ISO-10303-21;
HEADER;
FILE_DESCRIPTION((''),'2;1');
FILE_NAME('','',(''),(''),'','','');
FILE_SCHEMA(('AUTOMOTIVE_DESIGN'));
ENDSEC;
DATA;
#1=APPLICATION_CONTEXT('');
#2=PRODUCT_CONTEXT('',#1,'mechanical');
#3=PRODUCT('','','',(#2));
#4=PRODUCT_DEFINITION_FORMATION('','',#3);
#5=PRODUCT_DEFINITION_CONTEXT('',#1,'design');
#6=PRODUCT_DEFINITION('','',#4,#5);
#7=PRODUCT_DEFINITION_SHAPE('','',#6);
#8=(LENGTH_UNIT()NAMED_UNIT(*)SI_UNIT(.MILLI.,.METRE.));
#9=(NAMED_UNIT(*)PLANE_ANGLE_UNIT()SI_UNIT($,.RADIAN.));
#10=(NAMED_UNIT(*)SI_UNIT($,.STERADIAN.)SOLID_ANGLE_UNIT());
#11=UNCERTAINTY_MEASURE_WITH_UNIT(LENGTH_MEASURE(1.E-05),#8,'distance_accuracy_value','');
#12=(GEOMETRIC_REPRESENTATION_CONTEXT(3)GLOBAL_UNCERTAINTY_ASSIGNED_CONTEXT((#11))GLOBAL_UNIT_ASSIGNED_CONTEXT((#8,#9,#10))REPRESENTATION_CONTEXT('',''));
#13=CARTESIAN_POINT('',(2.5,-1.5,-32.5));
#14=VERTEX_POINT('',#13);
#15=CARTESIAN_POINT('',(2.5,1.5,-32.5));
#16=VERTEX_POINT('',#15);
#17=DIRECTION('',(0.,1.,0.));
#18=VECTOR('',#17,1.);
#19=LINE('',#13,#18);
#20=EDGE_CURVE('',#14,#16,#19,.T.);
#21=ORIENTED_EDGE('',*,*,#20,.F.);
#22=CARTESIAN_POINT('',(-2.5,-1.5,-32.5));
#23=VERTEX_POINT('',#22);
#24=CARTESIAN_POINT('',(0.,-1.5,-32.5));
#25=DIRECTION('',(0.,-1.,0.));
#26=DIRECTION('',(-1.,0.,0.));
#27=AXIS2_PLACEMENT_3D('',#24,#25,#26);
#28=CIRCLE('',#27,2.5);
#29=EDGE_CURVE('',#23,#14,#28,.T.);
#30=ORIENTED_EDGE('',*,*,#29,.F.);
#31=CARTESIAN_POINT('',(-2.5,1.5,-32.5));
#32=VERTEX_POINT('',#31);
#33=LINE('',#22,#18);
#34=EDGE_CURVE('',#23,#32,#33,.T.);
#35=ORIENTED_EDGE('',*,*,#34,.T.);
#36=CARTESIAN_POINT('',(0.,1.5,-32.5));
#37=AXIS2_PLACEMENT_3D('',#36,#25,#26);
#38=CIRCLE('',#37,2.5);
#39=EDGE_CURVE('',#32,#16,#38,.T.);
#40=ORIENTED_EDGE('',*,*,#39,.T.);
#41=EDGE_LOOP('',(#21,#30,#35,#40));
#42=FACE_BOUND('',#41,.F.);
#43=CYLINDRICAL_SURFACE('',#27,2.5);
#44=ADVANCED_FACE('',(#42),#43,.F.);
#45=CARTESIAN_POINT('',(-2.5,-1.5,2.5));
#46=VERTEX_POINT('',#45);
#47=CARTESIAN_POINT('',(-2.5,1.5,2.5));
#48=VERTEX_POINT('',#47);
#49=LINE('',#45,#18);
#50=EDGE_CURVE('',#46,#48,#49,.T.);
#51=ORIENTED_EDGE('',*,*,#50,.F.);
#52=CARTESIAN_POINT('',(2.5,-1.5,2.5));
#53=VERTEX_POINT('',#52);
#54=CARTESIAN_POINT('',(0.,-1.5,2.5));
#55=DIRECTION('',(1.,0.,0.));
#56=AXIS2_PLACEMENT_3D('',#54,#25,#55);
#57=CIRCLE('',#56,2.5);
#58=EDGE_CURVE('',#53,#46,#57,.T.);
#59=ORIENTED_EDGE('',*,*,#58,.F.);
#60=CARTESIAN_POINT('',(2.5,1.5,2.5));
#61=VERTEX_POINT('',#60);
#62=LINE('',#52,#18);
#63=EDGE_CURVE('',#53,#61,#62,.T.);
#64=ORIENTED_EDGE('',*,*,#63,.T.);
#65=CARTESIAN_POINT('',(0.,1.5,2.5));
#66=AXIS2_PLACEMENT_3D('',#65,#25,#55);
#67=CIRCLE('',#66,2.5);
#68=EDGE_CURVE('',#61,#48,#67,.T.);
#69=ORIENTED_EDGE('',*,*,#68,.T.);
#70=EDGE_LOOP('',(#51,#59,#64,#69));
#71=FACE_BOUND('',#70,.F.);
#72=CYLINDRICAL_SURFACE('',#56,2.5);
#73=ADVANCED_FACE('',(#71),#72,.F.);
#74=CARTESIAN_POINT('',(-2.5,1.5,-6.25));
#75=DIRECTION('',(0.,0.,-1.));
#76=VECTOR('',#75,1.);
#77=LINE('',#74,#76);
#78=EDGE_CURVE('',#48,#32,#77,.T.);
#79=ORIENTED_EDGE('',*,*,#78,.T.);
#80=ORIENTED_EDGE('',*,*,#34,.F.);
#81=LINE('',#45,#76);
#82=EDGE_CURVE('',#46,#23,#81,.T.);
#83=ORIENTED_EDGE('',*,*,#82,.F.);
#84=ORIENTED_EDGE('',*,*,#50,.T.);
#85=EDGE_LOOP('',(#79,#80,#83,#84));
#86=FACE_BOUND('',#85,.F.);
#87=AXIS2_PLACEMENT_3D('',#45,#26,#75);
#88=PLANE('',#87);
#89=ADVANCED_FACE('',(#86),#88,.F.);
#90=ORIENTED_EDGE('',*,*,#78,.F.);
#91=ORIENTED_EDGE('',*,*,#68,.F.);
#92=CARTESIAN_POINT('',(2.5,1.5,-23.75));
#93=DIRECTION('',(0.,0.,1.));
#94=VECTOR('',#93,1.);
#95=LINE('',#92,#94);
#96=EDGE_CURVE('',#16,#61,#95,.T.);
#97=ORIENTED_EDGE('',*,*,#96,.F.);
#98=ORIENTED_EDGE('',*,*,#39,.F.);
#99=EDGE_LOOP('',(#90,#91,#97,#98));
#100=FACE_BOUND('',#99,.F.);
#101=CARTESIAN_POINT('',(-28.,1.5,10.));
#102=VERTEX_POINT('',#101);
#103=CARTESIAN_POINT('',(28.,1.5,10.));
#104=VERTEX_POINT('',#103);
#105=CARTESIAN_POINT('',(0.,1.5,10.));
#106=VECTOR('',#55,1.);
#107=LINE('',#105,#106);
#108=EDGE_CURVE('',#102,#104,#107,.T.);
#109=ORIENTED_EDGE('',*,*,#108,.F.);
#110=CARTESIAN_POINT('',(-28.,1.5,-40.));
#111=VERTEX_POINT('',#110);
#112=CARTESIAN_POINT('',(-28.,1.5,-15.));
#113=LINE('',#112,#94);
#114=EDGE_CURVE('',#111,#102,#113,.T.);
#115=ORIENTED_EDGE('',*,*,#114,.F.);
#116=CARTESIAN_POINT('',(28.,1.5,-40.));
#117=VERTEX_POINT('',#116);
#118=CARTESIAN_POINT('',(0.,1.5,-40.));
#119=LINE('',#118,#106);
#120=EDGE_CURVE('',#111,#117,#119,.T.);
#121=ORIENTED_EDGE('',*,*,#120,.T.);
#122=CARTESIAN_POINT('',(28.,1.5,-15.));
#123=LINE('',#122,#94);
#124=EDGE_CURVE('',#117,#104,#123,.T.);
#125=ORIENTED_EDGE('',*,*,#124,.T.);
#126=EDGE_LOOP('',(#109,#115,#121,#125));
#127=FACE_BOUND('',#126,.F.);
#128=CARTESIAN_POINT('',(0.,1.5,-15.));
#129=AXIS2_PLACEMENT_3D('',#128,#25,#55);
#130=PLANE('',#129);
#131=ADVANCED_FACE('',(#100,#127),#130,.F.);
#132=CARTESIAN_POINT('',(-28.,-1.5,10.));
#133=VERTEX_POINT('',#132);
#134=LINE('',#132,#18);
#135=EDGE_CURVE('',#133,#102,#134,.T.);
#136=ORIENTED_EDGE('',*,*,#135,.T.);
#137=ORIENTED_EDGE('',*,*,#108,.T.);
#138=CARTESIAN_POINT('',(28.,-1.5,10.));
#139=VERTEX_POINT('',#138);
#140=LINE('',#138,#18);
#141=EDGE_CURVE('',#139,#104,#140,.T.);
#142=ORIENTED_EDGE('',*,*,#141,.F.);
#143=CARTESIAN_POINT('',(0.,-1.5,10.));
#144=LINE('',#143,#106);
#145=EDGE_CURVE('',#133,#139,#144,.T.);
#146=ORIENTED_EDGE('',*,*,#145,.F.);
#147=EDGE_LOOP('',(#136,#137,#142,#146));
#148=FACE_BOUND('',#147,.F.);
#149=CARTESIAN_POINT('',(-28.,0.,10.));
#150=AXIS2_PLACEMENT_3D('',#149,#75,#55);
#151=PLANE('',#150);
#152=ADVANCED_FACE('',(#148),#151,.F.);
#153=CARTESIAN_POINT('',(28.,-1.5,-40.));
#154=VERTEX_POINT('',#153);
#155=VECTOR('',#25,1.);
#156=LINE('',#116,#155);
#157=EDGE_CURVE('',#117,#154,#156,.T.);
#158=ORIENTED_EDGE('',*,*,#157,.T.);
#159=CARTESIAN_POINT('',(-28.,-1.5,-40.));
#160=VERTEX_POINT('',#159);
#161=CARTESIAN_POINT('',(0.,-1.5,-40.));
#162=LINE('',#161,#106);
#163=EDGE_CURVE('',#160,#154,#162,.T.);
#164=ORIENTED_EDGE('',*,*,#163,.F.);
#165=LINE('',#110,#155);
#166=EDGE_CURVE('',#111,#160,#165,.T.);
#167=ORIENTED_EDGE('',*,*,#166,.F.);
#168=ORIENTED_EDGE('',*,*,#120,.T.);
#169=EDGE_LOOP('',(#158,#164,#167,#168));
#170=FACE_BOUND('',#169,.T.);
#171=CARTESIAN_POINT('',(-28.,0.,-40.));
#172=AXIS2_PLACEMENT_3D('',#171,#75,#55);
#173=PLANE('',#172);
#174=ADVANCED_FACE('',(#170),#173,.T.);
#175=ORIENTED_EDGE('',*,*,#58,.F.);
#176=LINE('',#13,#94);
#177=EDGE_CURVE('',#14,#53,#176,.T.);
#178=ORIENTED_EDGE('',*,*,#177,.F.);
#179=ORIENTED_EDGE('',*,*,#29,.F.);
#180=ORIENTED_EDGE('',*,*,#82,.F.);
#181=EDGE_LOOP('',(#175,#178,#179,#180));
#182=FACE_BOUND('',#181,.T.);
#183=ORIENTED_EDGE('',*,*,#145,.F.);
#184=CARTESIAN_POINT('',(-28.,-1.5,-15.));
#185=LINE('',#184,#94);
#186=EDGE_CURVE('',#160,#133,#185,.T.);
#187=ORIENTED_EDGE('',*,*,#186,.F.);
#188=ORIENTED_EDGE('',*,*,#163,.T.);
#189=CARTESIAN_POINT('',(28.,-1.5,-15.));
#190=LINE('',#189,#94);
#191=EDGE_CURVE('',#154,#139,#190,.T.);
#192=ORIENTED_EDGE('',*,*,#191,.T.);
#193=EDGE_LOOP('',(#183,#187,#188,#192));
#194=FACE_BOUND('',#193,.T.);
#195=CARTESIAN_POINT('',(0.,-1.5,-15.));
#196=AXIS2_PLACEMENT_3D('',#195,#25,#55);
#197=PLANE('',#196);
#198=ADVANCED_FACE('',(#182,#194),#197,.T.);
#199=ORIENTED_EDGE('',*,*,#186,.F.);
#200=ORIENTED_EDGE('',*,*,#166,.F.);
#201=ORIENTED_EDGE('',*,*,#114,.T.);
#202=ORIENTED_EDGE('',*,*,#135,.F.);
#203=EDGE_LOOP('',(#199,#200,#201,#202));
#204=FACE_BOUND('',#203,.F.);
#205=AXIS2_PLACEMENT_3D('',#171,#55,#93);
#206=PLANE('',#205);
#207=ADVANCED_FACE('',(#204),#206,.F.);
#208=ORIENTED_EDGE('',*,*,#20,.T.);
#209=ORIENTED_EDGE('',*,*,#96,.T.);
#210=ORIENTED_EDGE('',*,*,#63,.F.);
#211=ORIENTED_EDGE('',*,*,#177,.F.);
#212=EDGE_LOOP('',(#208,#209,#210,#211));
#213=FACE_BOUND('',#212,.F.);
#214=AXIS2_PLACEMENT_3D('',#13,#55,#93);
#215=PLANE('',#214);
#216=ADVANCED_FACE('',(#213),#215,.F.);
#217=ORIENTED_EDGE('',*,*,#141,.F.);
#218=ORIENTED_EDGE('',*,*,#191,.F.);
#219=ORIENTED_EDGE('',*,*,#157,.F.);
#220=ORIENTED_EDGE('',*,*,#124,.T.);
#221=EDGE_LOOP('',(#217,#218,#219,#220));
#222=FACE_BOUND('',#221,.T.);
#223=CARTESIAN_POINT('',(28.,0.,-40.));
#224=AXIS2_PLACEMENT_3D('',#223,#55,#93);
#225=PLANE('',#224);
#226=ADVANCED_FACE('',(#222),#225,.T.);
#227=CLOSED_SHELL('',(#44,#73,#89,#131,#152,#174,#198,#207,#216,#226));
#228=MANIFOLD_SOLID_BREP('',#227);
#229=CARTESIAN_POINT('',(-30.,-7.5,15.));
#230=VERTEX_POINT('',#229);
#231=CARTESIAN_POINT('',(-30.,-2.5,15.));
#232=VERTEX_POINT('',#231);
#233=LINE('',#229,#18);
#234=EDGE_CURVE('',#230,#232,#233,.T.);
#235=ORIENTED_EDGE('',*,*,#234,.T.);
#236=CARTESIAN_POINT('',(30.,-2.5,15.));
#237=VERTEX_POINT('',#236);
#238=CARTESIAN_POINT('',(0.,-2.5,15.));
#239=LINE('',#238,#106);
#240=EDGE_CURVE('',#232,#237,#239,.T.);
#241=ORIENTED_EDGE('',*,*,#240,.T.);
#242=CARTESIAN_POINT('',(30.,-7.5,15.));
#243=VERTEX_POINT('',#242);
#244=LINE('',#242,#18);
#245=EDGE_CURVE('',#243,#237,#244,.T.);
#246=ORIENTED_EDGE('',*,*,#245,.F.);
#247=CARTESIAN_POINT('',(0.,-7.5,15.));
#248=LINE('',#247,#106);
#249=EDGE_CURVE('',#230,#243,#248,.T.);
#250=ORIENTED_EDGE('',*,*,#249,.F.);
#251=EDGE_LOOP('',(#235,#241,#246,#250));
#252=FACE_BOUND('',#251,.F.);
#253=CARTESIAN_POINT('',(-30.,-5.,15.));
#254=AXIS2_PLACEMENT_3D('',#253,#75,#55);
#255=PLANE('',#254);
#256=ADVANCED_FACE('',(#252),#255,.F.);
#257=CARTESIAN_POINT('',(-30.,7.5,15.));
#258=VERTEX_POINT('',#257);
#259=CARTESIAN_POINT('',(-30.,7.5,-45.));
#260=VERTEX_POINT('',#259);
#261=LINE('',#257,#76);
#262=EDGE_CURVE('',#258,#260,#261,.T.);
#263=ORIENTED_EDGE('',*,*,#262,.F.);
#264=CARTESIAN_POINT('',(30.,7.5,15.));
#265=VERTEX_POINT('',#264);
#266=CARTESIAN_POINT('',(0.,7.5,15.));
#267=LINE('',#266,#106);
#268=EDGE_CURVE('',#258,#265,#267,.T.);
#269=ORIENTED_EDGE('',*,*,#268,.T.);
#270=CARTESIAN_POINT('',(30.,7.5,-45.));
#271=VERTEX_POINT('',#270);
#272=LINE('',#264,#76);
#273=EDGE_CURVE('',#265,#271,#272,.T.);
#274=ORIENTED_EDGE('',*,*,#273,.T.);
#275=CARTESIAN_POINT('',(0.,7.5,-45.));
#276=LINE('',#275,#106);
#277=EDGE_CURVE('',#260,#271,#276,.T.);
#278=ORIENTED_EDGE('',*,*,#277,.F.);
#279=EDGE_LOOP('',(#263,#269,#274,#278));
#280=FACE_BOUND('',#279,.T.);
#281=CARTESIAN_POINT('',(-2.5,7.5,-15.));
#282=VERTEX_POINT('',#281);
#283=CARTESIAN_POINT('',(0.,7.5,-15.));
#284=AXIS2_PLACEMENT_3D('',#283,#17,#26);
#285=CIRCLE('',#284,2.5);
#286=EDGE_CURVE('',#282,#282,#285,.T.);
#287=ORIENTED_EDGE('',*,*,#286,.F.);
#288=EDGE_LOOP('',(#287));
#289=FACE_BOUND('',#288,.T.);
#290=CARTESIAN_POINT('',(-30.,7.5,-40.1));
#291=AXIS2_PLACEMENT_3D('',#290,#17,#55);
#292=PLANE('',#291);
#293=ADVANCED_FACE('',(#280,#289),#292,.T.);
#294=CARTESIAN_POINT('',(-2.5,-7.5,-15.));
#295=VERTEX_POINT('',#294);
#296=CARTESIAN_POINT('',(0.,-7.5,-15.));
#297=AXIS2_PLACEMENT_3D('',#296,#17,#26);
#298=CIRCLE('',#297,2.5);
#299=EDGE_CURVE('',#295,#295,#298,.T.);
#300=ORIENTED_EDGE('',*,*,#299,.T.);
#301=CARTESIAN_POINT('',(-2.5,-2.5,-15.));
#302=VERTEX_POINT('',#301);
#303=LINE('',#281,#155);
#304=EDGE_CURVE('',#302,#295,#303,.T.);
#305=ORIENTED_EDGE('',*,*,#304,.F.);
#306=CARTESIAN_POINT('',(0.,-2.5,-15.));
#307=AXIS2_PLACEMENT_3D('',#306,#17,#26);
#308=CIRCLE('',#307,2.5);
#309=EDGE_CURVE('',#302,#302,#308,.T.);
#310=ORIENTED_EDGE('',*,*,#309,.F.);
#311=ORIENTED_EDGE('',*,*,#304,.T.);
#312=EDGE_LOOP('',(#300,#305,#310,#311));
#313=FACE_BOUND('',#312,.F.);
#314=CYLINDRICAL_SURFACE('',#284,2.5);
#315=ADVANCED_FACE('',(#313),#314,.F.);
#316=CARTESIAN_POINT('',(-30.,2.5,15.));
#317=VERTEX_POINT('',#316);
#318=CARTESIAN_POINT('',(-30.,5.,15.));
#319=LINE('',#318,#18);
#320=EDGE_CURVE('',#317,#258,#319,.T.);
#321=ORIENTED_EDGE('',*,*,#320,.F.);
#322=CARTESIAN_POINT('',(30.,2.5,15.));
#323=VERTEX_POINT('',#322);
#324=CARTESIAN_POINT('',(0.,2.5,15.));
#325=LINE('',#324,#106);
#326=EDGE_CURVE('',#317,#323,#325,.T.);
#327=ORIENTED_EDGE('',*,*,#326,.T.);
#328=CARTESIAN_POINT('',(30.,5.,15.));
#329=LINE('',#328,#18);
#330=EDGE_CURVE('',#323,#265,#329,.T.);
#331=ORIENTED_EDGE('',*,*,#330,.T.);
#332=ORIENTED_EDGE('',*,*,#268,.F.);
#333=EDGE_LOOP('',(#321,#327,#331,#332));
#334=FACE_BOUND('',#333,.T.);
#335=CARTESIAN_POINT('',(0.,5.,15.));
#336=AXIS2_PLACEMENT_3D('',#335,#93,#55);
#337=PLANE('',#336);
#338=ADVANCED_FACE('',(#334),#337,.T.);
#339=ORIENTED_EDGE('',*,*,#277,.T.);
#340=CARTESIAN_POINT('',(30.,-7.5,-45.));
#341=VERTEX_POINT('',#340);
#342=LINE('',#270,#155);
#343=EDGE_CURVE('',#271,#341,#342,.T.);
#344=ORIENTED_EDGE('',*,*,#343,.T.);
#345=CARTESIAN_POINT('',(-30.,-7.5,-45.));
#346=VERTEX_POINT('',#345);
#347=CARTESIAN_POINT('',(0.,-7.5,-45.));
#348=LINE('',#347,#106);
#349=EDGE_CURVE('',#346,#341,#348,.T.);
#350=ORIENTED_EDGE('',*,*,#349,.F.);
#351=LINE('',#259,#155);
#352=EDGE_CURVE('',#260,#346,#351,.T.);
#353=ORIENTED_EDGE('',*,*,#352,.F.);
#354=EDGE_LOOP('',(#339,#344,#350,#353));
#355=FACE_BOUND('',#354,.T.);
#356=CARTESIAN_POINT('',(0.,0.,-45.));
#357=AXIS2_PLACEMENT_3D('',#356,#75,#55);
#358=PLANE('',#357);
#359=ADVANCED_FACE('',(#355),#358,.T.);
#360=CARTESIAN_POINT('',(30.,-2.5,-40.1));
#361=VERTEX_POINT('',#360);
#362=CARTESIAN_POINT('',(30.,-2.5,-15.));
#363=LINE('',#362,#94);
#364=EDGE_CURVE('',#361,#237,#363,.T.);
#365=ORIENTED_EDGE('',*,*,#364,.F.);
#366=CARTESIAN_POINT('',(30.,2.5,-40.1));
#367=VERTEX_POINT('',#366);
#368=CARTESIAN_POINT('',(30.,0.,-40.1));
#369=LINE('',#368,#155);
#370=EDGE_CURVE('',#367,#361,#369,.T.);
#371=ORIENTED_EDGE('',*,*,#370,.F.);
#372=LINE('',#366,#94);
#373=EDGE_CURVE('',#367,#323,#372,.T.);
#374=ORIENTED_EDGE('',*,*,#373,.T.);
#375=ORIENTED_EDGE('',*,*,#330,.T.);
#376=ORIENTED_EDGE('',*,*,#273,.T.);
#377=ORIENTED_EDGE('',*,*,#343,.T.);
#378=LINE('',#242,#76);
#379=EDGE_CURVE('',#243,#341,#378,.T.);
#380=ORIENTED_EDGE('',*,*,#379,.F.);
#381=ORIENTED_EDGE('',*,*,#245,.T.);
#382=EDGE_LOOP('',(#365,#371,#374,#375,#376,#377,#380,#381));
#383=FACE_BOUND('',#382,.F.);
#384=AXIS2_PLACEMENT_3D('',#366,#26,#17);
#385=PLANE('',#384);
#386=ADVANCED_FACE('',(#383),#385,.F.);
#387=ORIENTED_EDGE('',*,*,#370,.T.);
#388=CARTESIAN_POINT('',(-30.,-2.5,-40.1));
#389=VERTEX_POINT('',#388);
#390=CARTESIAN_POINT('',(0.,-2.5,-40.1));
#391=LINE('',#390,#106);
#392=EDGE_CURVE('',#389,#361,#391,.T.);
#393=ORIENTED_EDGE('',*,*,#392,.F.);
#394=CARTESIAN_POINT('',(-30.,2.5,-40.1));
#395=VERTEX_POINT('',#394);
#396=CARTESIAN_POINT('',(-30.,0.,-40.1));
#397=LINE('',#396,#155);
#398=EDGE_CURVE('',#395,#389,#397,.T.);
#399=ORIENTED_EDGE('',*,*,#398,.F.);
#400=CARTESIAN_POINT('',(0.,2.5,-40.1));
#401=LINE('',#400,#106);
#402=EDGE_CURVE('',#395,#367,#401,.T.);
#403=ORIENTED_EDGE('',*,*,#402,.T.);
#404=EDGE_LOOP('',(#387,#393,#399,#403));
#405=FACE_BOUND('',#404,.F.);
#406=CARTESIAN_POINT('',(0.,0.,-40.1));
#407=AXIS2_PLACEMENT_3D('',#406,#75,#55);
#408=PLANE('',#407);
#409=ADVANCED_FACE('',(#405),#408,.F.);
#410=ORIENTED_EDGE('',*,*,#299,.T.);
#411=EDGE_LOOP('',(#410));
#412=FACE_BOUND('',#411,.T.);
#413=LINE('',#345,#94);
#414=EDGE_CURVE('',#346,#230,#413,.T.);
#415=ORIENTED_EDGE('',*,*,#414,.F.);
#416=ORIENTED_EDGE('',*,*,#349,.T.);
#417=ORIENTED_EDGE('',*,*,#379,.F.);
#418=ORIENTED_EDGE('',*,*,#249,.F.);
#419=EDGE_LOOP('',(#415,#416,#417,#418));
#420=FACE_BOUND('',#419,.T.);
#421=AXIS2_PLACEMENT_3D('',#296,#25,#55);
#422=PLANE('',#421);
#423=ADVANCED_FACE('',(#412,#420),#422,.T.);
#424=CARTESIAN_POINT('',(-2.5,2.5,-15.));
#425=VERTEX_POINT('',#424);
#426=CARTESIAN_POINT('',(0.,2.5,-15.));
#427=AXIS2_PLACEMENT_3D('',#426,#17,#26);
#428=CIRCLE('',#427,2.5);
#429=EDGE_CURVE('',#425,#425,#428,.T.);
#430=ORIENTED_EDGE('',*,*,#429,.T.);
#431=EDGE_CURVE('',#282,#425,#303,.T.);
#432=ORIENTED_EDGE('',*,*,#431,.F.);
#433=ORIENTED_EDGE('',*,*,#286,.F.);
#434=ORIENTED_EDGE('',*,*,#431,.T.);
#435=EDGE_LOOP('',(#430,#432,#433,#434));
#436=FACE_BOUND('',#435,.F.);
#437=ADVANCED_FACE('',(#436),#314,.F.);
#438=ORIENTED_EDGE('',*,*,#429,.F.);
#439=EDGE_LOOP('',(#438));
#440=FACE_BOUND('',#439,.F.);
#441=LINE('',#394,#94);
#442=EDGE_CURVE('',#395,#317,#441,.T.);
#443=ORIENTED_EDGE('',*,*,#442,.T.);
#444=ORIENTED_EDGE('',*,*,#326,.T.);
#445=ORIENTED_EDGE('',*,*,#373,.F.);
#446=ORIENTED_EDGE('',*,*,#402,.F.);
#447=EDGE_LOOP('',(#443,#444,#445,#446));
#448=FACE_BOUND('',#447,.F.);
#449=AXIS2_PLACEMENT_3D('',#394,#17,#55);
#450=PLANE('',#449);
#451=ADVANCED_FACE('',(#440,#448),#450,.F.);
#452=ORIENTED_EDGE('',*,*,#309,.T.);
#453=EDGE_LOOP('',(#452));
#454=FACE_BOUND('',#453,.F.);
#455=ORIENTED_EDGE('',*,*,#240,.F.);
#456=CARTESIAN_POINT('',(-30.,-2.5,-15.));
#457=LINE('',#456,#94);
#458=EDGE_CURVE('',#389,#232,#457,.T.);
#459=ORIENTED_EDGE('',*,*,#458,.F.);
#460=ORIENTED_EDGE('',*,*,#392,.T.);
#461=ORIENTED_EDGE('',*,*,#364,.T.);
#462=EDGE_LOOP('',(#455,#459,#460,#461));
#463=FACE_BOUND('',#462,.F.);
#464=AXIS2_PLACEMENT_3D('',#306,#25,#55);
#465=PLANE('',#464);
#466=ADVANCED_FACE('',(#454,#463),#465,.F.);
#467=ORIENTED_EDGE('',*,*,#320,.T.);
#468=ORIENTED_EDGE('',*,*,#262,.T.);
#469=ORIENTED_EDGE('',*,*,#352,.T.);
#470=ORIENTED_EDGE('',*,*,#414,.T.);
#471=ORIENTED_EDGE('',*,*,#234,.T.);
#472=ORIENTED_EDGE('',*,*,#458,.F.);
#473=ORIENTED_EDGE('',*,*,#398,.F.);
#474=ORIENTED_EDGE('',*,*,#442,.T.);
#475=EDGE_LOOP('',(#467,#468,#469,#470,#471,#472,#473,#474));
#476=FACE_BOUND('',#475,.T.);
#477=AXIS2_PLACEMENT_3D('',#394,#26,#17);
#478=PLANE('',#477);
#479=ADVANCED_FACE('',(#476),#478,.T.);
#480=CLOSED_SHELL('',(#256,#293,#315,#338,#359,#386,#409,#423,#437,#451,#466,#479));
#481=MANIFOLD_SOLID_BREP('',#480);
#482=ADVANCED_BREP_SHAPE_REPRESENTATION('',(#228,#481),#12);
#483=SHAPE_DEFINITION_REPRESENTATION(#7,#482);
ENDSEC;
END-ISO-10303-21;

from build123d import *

# Parameters (mm, degrees)
F0_W      = 56
F0_H      = 50
F1_DEPTH  = 1.5
F3_DEPTH  = 25
F5_W      = 60
F5_H      = 60
F6_DEPTH  = 2.5
F7_W      = 60
F7_H      = 15
F8_DEPTH  = 4.9
F9_W      = 60
F9_H      = 5
F10_DEPTH = 55.1
F11_R     = 2.5
F12_DEPTH = 25


with BuildPart() as f1:
    # F0 (on Front) → F1 (new body, symmetric)
    with BuildSketch(Plane.XZ):
        with Locations((0, -15)):
            Rectangle(F0_W, F0_H)
    extrude(amount=F1_DEPTH, both=True)

    # F2 (on face) → F3 (cut)
    with BuildSketch(Plane.XZ.offset(1.5)):
        with BuildLine():
            Line((-2.5, 2.5), (2.5, 2.5))
            ThreePointArc((2.5, 2.5), (0, 5), (-2.5, 2.5))
        make_face()
        with BuildLine():
            Line((2.5, -32.5), (2.5, 2.5))
            ThreePointArc((2.5, 2.5), (0, 0), (-2.5, 2.5))
            Line((-2.5, 2.5), (-2.5, -32.5))
            ThreePointArc((-2.5, -32.5), (0, -30), (2.5, -32.5))
        make_face()
        with BuildLine():
            ThreePointArc((-2.5, 2.5), (0, 0), (2.5, 2.5))
            Line((2.5, 2.5), (-2.5, 2.5))
        make_face()
        with BuildLine():
            Line((-2.5, -32.5), (2.5, -32.5))
            ThreePointArc((2.5, -32.5), (0, -30), (-2.5, -32.5))
        make_face()
        with BuildLine():
            ThreePointArc((-2.5, -32.5), (0, -35), (2.5, -32.5))
            Line((2.5, -32.5), (-2.5, -32.5))
        make_face()
    extrude(amount=-F3_DEPTH, mode=Mode.SUBTRACT)


with BuildPart() as f6:
    # F5 (on offset) → F6 (new body, symmetric)
    with BuildSketch(Plane.XZ.offset(5)):
        with Locations((0, -15)):
            Rectangle(F5_W, F5_H)
    extrude(amount=F6_DEPTH, both=True)

    # F7 (on face) → F8 (join)
    with BuildSketch(Plane(origin=(0, 0, -45), x_dir=(1, 0, 0), z_dir=(0, 0, -1))):
        Rectangle(F7_W, F7_H)
    extrude(amount=-F8_DEPTH)

    # F9 (on face) → F10 (join)
    with BuildSketch(Plane.XY.offset(-40.1)):
        with Locations((0, 5)):
            Rectangle(F9_W, F9_H)
    extrude(amount=F10_DEPTH)

    # F11 (on face) → F12 (cut)
    with BuildSketch(Plane(origin=(0, 7.5, 0), x_dir=(-1, 0, 0), z_dir=(0, 1, 0))):
        with Locations((0, -15)):
            Circle(F11_R)
    extrude(amount=-F12_DEPTH, mode=Mode.SUBTRACT)


solid = Compound([f1.part, f6.part])
